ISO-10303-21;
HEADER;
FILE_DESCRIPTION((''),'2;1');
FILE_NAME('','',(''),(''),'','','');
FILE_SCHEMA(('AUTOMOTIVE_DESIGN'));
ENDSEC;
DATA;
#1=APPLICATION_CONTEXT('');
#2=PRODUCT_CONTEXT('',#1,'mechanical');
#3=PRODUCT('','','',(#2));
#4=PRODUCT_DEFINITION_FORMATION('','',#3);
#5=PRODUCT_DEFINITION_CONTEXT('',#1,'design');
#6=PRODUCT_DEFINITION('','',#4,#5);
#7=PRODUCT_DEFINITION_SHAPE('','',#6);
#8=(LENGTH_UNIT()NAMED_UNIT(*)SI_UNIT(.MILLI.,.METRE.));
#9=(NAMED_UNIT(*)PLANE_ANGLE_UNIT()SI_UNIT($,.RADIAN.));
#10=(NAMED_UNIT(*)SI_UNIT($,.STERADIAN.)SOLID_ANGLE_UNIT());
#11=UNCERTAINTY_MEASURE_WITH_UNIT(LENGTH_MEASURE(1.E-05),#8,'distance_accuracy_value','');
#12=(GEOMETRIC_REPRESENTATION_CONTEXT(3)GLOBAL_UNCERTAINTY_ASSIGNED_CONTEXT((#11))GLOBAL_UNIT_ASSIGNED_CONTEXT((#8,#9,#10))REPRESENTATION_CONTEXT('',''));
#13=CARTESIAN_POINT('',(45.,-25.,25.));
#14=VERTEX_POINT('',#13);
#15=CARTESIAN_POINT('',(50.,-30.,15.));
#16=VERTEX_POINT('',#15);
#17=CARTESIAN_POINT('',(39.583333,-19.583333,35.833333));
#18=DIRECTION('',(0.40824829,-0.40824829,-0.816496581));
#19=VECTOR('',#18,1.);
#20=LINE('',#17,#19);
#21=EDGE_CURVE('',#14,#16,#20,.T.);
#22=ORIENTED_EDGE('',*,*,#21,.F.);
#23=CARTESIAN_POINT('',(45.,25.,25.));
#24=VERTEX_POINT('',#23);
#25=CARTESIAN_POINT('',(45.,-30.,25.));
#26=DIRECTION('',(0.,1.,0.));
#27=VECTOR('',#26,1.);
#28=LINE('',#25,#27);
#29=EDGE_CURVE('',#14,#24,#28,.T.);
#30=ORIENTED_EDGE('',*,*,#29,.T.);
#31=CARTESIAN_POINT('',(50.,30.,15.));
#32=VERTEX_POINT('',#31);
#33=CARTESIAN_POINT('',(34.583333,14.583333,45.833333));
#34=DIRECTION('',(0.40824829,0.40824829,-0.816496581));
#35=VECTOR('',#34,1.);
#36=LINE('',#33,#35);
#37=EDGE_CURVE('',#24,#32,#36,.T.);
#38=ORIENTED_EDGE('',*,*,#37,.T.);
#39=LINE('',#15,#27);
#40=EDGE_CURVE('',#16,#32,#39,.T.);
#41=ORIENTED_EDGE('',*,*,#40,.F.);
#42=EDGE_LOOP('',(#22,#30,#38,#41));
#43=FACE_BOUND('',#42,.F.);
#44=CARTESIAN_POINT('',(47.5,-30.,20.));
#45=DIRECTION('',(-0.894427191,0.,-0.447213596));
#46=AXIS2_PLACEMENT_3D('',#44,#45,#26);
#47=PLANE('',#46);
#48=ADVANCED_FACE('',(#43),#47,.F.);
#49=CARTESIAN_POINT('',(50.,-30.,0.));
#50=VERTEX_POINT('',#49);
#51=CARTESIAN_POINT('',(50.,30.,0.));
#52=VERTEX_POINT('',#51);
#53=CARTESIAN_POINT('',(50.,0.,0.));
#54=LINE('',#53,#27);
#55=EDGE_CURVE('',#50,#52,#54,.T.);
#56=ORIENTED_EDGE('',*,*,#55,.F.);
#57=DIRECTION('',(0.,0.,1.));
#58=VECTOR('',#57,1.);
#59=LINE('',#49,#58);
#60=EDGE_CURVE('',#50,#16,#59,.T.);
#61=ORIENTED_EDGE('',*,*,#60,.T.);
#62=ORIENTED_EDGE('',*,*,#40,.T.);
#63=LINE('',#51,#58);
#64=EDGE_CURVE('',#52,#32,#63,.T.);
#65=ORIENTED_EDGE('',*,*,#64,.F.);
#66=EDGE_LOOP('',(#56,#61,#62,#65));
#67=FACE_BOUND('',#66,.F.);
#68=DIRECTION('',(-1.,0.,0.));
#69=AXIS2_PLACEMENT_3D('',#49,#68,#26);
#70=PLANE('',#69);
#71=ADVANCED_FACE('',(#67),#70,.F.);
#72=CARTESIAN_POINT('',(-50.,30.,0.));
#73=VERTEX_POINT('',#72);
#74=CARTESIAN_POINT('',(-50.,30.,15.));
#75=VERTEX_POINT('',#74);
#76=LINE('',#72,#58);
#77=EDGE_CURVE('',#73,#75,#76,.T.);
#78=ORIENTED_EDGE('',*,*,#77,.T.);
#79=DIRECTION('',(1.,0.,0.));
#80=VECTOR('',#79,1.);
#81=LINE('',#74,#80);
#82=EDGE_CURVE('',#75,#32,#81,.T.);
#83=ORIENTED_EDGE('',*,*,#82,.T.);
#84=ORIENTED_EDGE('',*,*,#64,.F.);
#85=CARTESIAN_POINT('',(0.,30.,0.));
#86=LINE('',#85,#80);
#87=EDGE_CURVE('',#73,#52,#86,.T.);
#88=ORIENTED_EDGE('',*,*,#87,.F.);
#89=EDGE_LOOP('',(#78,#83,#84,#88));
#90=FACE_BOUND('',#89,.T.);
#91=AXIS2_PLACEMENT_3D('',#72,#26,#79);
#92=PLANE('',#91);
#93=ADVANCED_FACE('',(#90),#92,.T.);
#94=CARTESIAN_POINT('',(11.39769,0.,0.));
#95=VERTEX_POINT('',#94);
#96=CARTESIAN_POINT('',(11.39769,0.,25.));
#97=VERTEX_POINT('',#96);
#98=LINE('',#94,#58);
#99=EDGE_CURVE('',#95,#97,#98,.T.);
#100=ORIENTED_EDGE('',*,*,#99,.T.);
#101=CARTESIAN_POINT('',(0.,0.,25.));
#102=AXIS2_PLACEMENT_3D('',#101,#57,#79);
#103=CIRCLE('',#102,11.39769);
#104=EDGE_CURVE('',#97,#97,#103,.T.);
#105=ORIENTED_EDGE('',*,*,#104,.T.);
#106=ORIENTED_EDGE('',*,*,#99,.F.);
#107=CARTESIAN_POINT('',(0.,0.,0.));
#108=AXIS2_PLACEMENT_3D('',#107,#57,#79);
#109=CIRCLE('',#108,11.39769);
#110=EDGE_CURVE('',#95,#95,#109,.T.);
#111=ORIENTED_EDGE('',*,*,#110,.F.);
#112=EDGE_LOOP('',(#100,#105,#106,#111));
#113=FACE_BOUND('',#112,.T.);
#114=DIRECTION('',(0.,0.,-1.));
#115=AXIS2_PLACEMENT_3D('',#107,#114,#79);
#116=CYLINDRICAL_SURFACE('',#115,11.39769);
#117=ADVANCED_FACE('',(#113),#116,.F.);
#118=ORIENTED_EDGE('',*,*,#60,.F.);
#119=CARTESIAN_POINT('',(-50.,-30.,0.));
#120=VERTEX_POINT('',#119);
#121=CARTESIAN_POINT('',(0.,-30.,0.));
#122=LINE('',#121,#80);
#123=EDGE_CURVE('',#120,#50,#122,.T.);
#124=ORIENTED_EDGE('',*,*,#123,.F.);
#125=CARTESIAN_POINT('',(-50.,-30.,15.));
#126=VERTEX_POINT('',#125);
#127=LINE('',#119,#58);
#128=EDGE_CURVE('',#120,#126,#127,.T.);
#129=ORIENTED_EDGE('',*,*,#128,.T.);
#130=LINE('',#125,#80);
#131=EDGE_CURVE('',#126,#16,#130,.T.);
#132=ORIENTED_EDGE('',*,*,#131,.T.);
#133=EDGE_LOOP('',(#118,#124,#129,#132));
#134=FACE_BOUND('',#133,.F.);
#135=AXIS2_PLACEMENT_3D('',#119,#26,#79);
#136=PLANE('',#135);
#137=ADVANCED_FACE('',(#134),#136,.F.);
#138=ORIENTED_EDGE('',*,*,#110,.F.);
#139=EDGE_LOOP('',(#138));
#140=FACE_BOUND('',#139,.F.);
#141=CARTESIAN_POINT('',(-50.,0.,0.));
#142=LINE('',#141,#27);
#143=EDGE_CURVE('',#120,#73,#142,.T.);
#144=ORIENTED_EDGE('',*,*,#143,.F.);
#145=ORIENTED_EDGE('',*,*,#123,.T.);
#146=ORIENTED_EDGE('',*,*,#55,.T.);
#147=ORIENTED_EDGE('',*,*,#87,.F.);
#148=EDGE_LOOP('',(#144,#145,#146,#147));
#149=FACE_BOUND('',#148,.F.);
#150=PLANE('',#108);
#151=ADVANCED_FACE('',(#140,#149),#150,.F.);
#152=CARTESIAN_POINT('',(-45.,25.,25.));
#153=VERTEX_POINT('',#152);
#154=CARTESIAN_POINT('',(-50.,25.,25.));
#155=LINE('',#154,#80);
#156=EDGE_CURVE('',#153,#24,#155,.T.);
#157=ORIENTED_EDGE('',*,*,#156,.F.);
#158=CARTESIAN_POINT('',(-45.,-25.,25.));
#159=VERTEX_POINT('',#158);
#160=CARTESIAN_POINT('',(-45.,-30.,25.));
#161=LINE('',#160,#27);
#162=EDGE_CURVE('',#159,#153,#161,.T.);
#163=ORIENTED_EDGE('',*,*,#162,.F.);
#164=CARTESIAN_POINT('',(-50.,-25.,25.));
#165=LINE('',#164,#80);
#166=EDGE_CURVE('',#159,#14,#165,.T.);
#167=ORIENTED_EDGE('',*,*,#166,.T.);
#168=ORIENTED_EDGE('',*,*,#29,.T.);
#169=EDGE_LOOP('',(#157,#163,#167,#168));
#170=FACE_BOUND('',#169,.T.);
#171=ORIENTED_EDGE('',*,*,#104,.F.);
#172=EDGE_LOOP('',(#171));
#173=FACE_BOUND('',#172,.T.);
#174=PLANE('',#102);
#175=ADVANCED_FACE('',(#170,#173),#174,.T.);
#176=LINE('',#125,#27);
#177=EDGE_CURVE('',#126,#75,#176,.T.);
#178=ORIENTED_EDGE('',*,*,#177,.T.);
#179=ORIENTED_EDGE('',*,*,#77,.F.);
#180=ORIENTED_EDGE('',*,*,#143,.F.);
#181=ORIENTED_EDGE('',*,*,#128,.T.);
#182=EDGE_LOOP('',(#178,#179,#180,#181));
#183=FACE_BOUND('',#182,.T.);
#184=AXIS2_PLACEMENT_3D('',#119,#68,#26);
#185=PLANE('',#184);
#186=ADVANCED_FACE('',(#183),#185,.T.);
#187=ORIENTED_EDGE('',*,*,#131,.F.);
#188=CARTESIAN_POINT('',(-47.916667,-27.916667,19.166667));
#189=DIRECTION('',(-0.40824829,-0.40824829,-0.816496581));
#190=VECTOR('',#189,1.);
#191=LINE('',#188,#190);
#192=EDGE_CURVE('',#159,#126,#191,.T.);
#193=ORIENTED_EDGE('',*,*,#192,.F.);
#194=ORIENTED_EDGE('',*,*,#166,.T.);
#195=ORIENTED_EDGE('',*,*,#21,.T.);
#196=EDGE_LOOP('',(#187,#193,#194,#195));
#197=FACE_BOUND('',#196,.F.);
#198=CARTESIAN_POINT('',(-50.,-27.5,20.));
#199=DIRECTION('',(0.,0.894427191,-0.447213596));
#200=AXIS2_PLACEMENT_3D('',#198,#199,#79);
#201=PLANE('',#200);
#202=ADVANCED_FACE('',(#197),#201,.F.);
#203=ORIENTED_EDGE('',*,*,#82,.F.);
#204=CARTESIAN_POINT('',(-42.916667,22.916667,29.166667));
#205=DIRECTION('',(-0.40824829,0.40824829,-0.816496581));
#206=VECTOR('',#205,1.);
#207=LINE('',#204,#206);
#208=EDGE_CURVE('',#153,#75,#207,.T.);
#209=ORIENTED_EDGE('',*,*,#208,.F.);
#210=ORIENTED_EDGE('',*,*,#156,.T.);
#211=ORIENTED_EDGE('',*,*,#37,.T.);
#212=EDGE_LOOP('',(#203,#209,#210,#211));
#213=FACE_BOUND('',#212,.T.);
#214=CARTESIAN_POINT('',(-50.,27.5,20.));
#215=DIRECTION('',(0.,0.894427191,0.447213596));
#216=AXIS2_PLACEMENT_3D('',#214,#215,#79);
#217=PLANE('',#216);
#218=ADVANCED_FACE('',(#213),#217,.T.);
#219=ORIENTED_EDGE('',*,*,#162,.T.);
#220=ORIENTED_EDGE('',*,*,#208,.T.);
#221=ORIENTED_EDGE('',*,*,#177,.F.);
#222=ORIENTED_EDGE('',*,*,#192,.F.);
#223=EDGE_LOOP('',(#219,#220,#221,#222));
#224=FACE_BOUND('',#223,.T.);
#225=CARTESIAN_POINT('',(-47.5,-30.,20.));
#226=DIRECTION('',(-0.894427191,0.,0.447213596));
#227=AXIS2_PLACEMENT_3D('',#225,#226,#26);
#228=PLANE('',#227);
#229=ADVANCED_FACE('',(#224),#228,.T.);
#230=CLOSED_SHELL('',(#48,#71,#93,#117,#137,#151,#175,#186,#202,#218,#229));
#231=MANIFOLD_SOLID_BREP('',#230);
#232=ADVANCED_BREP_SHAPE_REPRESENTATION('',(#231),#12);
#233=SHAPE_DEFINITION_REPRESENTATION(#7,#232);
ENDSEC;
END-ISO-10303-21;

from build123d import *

# Parameters (mm, degrees)
F0_W     = 100
F0_H     = 60
F0_R     = 11.3976902361
F1_DEPTH = 25
F2_SIZE2 = 10
F2_SIZE  = 5


with BuildPart() as f1:
    # F0 (on Top) → F1 (new body)
    with BuildSketch(Plane.XY):
        Rectangle(F0_W, F0_H)
        Circle(F0_R, mode=Mode.SUBTRACT)
    extrude(amount=F1_DEPTH)

    # F2
    f2_edges = [f1.edges().sort_by_distance(p)[0] for p in [
        (-50, 0, 25),
        (0, -30, 25),
        (0, 30, 25),
        (50, 0, 25),
    ]]
    f2_side = f1.faces().sort_by_distance((0, 28.83381, 25))[0]
    chamfer(f2_edges, length=F2_SIZE, length2=F2_SIZE2, reference=f2_side)


solid = f1.part
